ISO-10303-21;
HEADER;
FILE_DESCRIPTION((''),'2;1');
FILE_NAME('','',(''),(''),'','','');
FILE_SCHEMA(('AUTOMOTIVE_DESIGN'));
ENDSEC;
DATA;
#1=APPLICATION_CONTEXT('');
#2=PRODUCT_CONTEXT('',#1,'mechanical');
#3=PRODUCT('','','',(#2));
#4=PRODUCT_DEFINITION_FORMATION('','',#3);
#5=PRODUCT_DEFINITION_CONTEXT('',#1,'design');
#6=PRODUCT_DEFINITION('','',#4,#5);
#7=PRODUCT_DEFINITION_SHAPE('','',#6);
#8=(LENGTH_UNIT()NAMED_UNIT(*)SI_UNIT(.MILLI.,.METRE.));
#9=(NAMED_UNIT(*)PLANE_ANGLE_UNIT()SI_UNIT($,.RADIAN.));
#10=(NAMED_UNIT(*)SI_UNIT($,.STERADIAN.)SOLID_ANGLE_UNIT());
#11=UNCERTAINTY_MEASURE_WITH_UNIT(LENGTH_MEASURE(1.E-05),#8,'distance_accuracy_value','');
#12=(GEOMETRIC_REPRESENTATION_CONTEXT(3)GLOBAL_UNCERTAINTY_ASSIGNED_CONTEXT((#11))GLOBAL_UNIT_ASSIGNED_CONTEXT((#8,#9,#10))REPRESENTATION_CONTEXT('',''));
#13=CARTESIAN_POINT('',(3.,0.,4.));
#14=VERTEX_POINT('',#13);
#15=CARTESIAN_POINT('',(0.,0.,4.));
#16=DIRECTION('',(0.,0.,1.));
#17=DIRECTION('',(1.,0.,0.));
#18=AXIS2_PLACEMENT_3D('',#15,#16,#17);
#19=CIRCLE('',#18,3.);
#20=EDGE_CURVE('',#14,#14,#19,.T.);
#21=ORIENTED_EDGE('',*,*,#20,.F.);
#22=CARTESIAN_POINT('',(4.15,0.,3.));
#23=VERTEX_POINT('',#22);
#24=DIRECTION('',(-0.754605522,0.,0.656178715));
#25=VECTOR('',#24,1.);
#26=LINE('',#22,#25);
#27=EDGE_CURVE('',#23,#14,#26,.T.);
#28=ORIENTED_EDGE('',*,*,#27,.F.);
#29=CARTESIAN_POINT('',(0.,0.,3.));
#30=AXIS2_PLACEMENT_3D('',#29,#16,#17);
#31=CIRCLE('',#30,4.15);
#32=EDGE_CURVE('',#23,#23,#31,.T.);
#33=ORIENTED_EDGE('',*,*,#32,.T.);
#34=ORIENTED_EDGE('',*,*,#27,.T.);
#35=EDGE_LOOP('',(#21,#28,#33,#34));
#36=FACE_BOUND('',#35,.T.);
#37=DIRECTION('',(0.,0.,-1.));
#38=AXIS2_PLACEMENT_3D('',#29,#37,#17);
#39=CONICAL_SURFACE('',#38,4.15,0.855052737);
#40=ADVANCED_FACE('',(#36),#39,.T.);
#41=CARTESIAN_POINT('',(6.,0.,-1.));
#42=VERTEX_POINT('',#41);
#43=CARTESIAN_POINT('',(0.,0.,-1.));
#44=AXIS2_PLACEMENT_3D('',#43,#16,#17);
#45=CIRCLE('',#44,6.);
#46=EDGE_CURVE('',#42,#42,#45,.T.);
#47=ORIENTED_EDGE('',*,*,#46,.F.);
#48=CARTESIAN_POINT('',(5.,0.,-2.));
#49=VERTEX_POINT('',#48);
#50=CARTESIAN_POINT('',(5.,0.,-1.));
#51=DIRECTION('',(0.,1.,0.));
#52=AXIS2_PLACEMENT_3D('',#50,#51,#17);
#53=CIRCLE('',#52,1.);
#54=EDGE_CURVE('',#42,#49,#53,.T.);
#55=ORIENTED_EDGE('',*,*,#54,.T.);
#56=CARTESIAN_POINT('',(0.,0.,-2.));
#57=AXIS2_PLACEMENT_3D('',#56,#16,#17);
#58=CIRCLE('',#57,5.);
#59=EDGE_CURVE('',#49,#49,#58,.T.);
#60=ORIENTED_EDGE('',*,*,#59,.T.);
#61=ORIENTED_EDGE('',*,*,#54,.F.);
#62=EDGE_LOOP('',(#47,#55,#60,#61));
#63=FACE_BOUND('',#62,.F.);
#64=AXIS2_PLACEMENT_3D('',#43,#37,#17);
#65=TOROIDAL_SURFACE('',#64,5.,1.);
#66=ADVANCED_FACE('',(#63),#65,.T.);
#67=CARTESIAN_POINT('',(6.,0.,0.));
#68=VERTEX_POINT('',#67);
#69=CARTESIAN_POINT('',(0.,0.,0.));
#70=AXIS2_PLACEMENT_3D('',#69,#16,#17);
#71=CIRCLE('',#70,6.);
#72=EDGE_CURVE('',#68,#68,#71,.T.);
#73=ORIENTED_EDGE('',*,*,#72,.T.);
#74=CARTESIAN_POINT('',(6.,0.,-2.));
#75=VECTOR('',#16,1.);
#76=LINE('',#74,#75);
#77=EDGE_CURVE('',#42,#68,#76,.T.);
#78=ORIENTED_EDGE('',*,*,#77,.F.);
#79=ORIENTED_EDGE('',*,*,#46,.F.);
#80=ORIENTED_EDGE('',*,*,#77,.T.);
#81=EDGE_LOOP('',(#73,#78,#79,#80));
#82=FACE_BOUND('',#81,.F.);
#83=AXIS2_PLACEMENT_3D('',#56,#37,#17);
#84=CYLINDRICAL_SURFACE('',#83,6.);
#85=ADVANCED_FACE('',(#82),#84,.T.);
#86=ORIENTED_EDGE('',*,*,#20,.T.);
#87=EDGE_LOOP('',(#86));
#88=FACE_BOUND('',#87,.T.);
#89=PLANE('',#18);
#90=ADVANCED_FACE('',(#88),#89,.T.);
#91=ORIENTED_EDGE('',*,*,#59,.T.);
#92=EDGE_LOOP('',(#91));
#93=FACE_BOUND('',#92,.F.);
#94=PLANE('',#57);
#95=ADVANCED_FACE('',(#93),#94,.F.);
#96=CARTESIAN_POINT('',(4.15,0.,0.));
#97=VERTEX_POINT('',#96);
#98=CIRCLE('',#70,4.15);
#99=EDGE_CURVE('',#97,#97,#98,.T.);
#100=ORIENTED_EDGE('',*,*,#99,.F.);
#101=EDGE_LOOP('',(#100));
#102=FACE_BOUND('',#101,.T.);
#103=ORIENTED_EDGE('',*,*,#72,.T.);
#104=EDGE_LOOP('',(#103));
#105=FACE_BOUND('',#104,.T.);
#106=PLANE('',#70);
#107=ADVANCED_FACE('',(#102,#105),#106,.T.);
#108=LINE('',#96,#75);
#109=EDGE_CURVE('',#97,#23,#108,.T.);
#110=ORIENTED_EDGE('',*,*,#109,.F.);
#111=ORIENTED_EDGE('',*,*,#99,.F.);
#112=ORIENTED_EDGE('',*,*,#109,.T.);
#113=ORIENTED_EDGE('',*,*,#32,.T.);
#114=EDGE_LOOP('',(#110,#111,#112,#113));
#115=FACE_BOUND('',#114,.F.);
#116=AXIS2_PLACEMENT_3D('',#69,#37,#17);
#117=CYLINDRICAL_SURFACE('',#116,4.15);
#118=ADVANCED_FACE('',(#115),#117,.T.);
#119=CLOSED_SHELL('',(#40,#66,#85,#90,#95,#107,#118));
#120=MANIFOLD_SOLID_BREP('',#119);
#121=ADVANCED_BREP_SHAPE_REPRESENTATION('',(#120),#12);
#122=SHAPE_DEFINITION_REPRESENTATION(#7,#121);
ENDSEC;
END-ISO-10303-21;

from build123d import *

# Parameters (mm, degrees)
CYLINDER_R        = 4.15
CYLINDER_DEPTH    = 3
CYLINDER001_R     = 6
CYLINDER001_DEPTH = 2
FILLET_R          = 1


with BuildPart() as cylinder:
    # Cylinder → Cylinder (new body)
    with BuildSketch(Plane.XY):
        Circle(CYLINDER_R)
    extrude(amount=CYLINDER_DEPTH)


with BuildPart() as cone:
    # Cone → Cone (revolve)
    with BuildSketch(Plane(origin=(0, 0, 3), x_dir=(1, 0, 0), z_dir=(0, -1, 0))):
        Polygon((0, 0), (4.15, 0), (3, 1), (0, 1), align=None)
    revolve(axis=Axis((0, 0, 3), (0, 0, 1)))


with BuildPart() as fusion:
    # Cylinder001 → Cylinder001 (new body)
    with BuildSketch(Plane.XY.offset(-2)):
        Circle(CYLINDER001_R)
    extrude(amount=CYLINDER001_DEPTH)

    # Fillet
    fillet_edges = [fusion.edges().sort_by_distance(p)[0] for p in [
        (-6, 0, -2),
    ]]
    fillet(fillet_edges, radius=FILLET_R)

    # Fusion: union Cylinder, Cone
    add(cylinder.part)
    add(cone.part)


solid = fusion.part
